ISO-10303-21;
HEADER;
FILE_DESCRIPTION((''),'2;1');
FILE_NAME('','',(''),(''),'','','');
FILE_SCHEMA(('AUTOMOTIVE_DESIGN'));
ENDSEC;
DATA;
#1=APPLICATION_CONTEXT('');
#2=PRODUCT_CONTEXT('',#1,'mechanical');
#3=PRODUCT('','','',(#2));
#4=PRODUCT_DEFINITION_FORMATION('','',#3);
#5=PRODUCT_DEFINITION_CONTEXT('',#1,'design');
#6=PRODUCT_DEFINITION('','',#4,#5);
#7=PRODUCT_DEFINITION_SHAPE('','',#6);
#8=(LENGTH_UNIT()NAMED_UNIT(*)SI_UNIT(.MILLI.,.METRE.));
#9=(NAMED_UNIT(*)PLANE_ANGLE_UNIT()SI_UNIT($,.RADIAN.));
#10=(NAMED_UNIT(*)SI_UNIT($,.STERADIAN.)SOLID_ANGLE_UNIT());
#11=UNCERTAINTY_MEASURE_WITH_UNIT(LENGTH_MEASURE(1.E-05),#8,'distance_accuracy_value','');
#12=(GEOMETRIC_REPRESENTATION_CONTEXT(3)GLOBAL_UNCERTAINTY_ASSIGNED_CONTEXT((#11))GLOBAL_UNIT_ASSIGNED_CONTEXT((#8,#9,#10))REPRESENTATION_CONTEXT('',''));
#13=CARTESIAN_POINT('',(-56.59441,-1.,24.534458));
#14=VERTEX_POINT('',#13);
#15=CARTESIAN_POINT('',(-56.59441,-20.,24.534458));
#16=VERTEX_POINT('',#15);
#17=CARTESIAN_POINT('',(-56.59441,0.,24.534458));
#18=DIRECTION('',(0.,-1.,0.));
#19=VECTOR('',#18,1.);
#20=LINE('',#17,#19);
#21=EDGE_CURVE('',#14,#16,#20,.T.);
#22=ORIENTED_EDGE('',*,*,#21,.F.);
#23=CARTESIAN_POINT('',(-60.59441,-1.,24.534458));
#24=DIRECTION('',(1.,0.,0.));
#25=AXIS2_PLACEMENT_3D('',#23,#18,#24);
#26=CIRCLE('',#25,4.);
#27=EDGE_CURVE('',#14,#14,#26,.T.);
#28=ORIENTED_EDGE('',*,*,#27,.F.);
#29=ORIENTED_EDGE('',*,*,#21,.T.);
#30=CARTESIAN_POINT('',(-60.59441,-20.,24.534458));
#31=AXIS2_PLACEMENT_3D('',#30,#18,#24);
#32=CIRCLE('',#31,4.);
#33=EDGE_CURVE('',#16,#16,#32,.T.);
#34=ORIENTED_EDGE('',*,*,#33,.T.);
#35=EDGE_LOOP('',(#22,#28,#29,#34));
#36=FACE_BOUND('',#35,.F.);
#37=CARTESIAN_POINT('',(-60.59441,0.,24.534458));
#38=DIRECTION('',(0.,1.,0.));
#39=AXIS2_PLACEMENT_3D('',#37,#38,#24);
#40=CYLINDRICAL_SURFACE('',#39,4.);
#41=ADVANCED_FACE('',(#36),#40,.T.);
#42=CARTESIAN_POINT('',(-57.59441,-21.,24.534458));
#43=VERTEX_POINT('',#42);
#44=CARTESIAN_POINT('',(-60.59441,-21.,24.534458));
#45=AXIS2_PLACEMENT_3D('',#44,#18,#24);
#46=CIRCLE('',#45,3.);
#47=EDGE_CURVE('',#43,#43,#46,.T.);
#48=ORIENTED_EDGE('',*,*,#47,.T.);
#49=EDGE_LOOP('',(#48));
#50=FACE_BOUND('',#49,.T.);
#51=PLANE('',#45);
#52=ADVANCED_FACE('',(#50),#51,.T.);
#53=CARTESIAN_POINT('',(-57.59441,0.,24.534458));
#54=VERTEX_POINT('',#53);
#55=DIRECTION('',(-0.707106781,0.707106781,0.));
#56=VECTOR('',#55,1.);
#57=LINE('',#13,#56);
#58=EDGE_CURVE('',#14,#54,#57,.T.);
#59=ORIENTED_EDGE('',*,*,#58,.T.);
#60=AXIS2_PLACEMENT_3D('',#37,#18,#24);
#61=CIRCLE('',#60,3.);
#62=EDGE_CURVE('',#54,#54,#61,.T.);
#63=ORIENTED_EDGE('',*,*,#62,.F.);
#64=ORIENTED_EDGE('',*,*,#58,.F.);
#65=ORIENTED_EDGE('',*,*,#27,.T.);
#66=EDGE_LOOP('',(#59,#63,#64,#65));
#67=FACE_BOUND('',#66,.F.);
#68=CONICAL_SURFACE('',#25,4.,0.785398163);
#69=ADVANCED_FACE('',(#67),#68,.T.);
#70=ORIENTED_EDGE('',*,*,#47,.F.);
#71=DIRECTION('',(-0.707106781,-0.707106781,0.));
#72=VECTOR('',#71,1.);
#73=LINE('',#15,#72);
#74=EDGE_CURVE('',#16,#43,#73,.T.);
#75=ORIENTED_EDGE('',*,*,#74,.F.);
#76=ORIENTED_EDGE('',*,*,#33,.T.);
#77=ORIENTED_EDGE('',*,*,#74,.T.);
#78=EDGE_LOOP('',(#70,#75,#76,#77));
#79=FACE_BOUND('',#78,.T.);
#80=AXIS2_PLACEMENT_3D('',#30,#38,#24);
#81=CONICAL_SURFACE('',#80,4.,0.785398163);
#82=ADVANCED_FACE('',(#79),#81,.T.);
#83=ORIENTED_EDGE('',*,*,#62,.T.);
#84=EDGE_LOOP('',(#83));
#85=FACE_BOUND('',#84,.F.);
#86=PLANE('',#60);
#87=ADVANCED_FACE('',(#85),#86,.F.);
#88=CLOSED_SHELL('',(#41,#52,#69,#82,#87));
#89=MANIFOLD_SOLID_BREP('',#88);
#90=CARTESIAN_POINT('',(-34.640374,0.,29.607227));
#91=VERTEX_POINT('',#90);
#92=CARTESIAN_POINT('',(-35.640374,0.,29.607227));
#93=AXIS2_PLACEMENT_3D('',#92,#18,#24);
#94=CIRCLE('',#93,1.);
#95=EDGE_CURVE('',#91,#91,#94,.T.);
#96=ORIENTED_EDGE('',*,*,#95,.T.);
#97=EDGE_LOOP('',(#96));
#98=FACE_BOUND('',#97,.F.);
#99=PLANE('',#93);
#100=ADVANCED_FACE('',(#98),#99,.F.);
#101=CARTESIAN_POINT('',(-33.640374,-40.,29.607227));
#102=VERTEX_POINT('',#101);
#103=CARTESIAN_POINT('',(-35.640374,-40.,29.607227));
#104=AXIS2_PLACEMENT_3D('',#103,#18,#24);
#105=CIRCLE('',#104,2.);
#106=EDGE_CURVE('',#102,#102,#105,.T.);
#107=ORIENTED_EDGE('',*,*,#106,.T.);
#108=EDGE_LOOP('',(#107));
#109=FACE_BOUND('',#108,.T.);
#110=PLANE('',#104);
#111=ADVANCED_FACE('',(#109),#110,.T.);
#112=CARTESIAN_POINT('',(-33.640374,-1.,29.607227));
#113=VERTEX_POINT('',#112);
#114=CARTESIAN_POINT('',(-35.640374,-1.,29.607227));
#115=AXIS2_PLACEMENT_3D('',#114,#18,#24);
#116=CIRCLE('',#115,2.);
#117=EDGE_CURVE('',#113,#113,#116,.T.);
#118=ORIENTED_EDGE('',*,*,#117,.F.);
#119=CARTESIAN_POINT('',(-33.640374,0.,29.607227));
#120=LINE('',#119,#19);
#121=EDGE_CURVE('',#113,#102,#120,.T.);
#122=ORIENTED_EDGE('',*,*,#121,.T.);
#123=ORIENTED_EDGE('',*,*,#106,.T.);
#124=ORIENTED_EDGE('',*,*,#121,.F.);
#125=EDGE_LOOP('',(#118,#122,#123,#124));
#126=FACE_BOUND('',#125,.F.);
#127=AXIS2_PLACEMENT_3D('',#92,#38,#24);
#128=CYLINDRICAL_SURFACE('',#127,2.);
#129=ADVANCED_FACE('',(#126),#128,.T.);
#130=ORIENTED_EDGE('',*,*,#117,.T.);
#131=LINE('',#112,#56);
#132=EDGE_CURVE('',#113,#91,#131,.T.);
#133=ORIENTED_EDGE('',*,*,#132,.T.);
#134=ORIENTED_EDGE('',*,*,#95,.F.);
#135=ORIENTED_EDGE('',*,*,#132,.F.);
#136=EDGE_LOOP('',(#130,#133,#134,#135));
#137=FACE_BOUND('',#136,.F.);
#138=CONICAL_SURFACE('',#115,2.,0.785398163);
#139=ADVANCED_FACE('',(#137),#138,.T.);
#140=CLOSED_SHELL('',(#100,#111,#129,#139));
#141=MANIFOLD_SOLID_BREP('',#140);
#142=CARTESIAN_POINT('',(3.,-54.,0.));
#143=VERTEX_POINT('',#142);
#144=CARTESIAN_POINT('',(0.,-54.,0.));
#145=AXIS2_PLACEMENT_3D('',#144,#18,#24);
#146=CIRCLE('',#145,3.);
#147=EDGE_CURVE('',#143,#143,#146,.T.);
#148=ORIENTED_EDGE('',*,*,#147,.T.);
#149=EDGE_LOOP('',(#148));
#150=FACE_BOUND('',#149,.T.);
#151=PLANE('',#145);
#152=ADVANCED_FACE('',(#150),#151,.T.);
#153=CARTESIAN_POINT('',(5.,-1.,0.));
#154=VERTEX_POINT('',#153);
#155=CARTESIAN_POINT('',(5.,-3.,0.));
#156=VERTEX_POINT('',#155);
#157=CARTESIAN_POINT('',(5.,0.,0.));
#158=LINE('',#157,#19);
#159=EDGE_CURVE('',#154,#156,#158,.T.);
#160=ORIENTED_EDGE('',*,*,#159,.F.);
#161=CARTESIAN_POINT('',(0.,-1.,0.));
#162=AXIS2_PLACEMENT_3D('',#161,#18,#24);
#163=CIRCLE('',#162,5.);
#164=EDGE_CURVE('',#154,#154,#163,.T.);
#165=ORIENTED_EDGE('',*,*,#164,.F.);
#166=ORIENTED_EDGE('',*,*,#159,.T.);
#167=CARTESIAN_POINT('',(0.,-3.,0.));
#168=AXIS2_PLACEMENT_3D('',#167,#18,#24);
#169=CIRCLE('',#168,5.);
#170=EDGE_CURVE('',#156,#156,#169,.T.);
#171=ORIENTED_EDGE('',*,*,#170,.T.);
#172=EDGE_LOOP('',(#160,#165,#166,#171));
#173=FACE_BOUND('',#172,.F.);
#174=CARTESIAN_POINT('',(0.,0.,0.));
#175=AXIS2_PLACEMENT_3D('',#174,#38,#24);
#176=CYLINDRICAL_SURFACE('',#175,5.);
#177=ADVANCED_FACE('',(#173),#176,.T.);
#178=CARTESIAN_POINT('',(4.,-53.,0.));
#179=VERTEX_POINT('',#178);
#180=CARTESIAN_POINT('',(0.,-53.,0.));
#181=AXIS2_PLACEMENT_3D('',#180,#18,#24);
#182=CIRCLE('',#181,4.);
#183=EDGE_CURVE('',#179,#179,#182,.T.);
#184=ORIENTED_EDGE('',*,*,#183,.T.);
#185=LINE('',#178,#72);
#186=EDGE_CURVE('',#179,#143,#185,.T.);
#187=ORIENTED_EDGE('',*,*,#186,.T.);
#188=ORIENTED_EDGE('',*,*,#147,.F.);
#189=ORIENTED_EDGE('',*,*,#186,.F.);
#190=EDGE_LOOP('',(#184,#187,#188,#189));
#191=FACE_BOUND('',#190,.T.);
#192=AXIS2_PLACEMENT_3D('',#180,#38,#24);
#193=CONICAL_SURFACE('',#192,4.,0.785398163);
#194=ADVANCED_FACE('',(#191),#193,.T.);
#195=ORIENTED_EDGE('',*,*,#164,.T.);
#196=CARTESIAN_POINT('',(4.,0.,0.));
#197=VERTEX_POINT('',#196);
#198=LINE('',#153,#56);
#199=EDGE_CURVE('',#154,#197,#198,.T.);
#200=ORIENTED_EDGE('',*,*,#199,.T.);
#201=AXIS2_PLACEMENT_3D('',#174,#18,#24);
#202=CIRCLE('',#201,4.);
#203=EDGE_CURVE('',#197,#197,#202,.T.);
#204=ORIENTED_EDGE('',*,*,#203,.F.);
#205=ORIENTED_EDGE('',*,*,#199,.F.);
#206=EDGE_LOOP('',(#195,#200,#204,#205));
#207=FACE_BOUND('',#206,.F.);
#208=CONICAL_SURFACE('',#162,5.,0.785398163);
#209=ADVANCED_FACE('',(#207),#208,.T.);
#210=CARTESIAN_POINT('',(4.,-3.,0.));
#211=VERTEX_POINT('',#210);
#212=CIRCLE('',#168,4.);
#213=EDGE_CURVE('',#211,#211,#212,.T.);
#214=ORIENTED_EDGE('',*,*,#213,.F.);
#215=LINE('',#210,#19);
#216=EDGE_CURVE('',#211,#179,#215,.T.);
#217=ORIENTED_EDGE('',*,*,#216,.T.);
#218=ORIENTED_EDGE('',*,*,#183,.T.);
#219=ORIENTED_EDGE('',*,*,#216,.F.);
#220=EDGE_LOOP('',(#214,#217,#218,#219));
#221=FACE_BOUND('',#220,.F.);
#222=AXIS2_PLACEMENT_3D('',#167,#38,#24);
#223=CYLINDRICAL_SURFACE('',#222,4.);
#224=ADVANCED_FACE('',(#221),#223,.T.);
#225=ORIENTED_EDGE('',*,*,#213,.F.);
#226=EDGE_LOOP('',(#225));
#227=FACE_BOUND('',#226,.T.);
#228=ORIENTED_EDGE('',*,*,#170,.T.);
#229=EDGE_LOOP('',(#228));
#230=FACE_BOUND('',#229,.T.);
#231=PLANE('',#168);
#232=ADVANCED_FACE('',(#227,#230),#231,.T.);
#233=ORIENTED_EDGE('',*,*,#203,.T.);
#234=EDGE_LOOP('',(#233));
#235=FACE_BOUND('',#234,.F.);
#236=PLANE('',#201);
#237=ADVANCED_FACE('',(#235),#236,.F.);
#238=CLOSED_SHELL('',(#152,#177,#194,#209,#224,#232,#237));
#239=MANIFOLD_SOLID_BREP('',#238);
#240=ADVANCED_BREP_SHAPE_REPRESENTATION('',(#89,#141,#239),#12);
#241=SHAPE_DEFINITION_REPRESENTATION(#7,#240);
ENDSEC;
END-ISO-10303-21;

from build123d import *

# Parameters (mm, degrees)
F0_R      = 5
F1_DEPTH  = 3
F2_R      = 4
F3_DEPTH  = 51
F4_R      = 4
F5_DEPTH  = 21
F6_R      = 2
F7_DEPTH  = 40
F8_SIZE   = 1
F8_2_SIZE = 1
F8_3_SIZE = 1


with BuildPart() as f1:
    # F0 (on Front) → F1 (new body)
    with BuildSketch(Plane.XZ):
        Circle(F0_R)
    extrude(amount=F1_DEPTH)

    # F2 (on face) → F3 (join)
    with BuildSketch(Plane.XZ.offset(3)):
        Circle(F2_R)
    extrude(amount=F3_DEPTH)

    # F8
    f8_edges = [f1.edges().sort_by_distance(p)[0] for p in [
        (-5, 0, 0),
        (-4, -54, 0),
    ]]
    chamfer(f8_edges, length=F8_SIZE)


with BuildPart() as f5:
    # F4 (on Front) → F5 (new body)
    with BuildSketch(Plane.XZ):
        with Locations((-60.59441, 24.534458)):
            Circle(F4_R)
    extrude(amount=F5_DEPTH)

    # F8#2
    f8_2_edges = [f5.edges().sort_by_distance(p)[0] for p in [
        (-64.59441, -21, 24.534458),
        (-64.59441, 0, 24.534458),
    ]]
    chamfer(f8_2_edges, length=F8_2_SIZE)


with BuildPart() as f7:
    # F6 (on Front) → F7 (new body)
    with BuildSketch(Plane.XZ):
        with Locations((-35.640374, 29.607227)):
            Circle(F6_R)
    extrude(amount=F7_DEPTH)

    # F8#3
    f8_3_edges = [f7.edges().sort_by_distance(p)[0] for p in [
        (-37.640374, 0, 29.607227),
    ]]
    chamfer(f8_3_edges, length=F8_3_SIZE)


solid = Compound([f1.part, f5.part, f7.part])
